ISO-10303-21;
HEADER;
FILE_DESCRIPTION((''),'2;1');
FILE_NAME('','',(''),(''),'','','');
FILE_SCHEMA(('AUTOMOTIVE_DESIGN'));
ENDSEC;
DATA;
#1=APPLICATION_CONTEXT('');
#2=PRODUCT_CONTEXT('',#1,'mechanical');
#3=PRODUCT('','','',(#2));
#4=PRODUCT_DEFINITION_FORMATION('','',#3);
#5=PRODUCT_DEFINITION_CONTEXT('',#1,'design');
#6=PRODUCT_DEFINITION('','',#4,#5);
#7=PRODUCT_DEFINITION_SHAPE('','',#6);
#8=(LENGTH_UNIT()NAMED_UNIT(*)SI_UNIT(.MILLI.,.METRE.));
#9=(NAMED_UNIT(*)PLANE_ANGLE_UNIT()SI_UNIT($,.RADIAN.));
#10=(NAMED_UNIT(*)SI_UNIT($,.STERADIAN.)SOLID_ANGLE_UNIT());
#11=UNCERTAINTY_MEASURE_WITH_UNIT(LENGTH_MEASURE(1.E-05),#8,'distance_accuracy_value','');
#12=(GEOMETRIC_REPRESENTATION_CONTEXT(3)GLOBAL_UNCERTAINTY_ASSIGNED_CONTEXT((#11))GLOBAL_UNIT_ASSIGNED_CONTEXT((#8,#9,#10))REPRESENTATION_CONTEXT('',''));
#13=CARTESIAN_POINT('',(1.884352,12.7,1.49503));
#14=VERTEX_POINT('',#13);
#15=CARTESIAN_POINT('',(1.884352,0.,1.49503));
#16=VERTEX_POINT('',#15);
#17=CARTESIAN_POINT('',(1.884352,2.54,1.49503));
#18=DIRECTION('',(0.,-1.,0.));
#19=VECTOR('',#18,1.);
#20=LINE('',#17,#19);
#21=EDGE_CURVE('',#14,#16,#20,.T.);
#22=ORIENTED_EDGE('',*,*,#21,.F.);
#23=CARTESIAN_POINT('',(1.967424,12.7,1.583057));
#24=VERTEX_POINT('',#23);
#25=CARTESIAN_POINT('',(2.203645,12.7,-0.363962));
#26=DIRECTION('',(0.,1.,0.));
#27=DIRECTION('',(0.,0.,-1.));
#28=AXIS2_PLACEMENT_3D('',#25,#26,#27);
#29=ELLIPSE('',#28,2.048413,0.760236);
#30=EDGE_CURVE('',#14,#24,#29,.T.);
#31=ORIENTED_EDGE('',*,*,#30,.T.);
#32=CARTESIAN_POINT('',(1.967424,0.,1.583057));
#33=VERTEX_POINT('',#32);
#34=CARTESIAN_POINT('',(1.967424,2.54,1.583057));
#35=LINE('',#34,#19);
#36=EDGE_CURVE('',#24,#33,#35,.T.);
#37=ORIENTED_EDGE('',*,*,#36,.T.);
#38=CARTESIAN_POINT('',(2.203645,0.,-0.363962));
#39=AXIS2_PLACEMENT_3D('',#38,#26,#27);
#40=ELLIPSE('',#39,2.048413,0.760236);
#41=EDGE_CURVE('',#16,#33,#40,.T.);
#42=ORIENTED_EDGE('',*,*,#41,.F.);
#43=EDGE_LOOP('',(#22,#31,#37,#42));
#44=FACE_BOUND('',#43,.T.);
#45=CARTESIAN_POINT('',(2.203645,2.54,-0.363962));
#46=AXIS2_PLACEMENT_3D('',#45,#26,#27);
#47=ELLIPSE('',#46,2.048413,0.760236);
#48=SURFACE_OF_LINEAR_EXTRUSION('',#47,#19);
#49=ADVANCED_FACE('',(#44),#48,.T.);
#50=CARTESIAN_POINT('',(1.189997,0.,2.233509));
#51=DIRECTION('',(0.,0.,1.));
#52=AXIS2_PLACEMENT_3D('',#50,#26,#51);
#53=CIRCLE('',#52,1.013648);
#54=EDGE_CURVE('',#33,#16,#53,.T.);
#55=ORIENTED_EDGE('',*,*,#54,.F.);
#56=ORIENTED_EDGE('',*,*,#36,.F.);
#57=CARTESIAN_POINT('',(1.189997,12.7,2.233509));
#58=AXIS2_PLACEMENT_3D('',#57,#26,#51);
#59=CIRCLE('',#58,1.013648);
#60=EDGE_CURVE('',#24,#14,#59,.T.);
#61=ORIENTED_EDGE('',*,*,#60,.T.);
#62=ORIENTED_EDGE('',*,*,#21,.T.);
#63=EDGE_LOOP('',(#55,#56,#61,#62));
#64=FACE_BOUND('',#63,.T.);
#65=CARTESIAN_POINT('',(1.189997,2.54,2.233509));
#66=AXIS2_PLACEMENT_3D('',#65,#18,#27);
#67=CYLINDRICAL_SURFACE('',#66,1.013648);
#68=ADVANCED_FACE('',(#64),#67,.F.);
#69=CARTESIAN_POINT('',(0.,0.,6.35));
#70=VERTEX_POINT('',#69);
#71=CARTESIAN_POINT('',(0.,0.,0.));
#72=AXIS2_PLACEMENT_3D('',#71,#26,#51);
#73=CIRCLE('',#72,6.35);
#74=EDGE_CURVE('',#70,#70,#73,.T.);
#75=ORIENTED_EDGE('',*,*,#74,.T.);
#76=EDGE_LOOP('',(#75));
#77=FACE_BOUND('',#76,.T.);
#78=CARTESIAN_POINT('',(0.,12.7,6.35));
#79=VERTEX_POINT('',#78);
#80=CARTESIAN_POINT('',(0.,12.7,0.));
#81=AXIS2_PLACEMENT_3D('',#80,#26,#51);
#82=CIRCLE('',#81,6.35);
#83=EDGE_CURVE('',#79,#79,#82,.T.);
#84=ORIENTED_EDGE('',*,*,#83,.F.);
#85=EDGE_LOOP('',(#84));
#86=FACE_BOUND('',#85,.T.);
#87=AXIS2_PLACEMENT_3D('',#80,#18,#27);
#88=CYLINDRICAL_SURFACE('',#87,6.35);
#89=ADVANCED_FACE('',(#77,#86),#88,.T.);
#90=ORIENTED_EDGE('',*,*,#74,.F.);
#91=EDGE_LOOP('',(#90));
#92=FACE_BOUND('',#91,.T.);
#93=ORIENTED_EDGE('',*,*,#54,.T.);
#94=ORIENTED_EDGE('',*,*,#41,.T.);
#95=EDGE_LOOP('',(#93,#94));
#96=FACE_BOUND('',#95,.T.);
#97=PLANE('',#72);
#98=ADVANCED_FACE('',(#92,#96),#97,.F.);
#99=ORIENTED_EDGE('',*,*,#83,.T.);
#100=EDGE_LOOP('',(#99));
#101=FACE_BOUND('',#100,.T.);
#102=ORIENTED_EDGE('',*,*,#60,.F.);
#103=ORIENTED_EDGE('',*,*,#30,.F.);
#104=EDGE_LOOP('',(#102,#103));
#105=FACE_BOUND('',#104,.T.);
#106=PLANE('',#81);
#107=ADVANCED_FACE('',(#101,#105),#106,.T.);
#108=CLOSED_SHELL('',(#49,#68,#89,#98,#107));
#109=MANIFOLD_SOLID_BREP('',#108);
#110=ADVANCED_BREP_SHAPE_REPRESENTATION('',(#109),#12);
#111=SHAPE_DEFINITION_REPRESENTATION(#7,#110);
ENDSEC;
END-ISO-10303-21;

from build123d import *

# Parameters (mm, degrees)
SKETCH2_R            = 6.35
SKETCH2_R_2          = 5.996524519
BOSS_EXTRUDE5_DEPTH  = 12.7
SKETCH2_5_R          = 5.996524519
BOSS_EXTRUDE6_DEPTH  = 2.54
BOSS_EXTRUDE7_DEPTH  = 3.81
BOSS_EXTRUDE8_DEPTH  = 5.08
BOSS_EXTRUDE9_DEPTH  = 6.35
SKETCH2_9_R          = 5.996524519
BOSS_EXTRUDE12_DEPTH = 12.7


with BuildPart() as part:
    # Sketch2 → Boss-Extrude5 (new body)
    with BuildSketch(Plane(origin=(0, 0, 0), x_dir=(1, 0, 0), z_dir=(0, 1, 0))):
        Circle(SKETCH2_R)
        Circle(SKETCH2_R_2, mode=Mode.SUBTRACT)
    extrude(amount=BOSS_EXTRUDE5_DEPTH)

    # Sketch2<5> → Boss-Extrude6 (add)
    with BuildSketch(Plane(origin=(0, 0, 0), x_dir=(1, 0, 0), z_dir=(0, 1, 0))):
        Circle(SKETCH2_5_R)
        with BuildLine():
            ThreePointArc((1.884352254, -1.495029686), (1.927203331, -1.537802313), (1.967424302, -1.583056993))
            add(Edge.make_bspline(
                [(1.884352254, -1.495029686), (1.924927612, -1.545625193), (1.967424302, -1.583056993)],
                knots=[2.708156781, 2.708156781, 2.708156781, 2.825642238, 2.825642238, 2.825642238], degree=2, weights=[1, 0.998275142, 1]))
        make_face(mode=Mode.SUBTRACT)
    extrude(amount=BOSS_EXTRUDE6_DEPTH)

    # Sketch2<6> → Boss-Extrude7 (add)
    with BuildSketch(Plane(origin=(0, 0, 0), x_dir=(1, 0, 0), z_dir=(0, 1, 0))):
        with BuildLine():
            Line((2.203644713, 2.412375149), (2.203644713, -1.684450362))
            add(Edge.make_bspline(
                [(2.203644713, -1.684450362), (2.963880375, -1.684450362), (2.963880375, 0.363962394), (2.963880375, 2.412375149), (2.203644713, 2.412375149)],
                knots=[3.141592654, 3.141592654, 3.141592654, 4.71238898, 4.71238898, 6.283185307, 6.283185307, 6.283185307], degree=2, weights=[1, 0.707106781, 1, 0.707106781, 1]))
        make_face()
    extrude(amount=BOSS_EXTRUDE7_DEPTH)

    # Sketch2<7> → Boss-Extrude8 (add)
    with BuildSketch(Plane(origin=(0, 0, 0), x_dir=(1, 0, 0), z_dir=(0, 1, 0))):
        with BuildLine():
            Line((0.175754582, -0.482779286), (0.175754582, -2.233509451))
            Line((0.175754582, -2.233509451), (0.176349615, -2.233509451))
            ThreePointArc((0.176349615, -2.233509451), (1.189997164, -3.247157), (2.203644713, -2.233509451))
            Line((2.203644713, -2.233509451), (2.203644713, -1.684450362))
            Line((2.203644713, -1.684450362), (2.203644713, 2.412375149))
            Line((2.203644713, 2.412375149), (2.203644713, 2.961434238))
            ThreePointArc((2.203644713, 2.961434238), (0.758944414, 5.025083358), (-1.674487689, 4.373765582))
            add(Edge.make_bspline(
                [(-2.181065395, 3.145924813), (-0.969249834, 3.082016488), (-0.735212375, 3.64927543), (-0.501174917, 4.216534371), (-1.674487689, 4.373765582)],
                knots=[1.460003031, 1.460003031, 1.460003031, 2.948448562, 2.948448562, 4.436894093, 4.436894093, 4.436894093], degree=2, weights=[1, 0.735614623, 1, 0.735614623, 1]))
            ThreePointArc((-2.181065395, 3.145924813), (-2.18688649, 3.053761144), (-2.188828, 2.961434238))
            Line((-2.188828, 2.961434238), (-2.188828, -2.233509451))
            ThreePointArc((-2.188828, -2.233509451), (-1.217415765, -3.204921686), (-0.24600353, -2.233509451))
            Line((-0.24600353, -2.233509451), (-0.24600353, -0.482779286))
            Line((-0.24600353, -0.482779286), (0.175754582, -0.482779286))
        make_face()
        with BuildLine():
            ThreePointArc((1.884352254, -1.495029686), (1.927203331, -1.537802313), (1.967424302, -1.583056993))
            add(Edge.make_bspline(
                [(1.884352254, -1.495029686), (1.924927612, -1.545625193), (1.967424302, -1.583056993)],
                knots=[2.708156781, 2.708156781, 2.708156781, 2.825642238, 2.825642238, 2.825642238], degree=2, weights=[1, 0.998275142, 1]))
        make_face(mode=Mode.SUBTRACT)
    extrude(amount=BOSS_EXTRUDE8_DEPTH)

    # Sketch2<8> → Boss-Extrude9 (add)
    with BuildSketch(Plane(origin=(0, 0, 0), x_dir=(1, 0, 0), z_dir=(0, 1, 0))):
        with BuildLine():
            add(Edge.make_bspline(
                [(-2.181065395, 3.145924813), (-0.969249834, 3.082016488), (-0.735212375, 3.64927543), (-0.501174917, 4.216534371), (-1.674487689, 4.373765582)],
                knots=[1.460003031, 1.460003031, 1.460003031, 2.948448562, 2.948448562, 4.436894093, 4.436894093, 4.436894093], degree=2, weights=[1, 0.735614623, 1, 0.735614623, 1]))
            add(Edge.make_bspline(
                [(-1.674487689, 4.373765582), (-3.358741472, 4.599466068), (-3.358741472, 3.769755627)],
                knots=[4.436894093, 4.436894093, 4.436894093, 6.283185307, 6.283185307, 6.283185307], degree=2, weights=[1, 0.603314513, 1]))
            add(Edge.make_bspline(
                [(-3.358741472, 3.769755627), (-3.358741472, 3.208032701), (-2.181065395, 3.145924813)],
                knots=[0, 0, 0, 1.460003031, 1.460003031, 1.460003031], degree=2, weights=[1, 0.745173392, 1]))
        make_face()
    extrude(amount=BOSS_EXTRUDE9_DEPTH)

    # Sketch2<9> → Boss-Extrude12 (add)
    with BuildSketch(Plane(origin=(0, 0, 0), x_dir=(1, 0, 0), z_dir=(0, 1, 0))):
        Circle(SKETCH2_9_R)
        with BuildLine():
            ThreePointArc((1.884352254, -1.495029686), (1.927203331, -1.537802313), (1.967424302, -1.583056993))
            add(Edge.make_bspline(
                [(1.884352254, -1.495029686), (1.924927612, -1.545625193), (1.967424302, -1.583056993)],
                knots=[2.708156781, 2.708156781, 2.708156781, 2.825642238, 2.825642238, 2.825642238], degree=2, weights=[1, 0.998275142, 1]))
        make_face(mode=Mode.SUBTRACT)
    extrude(amount=BOSS_EXTRUDE12_DEPTH)


solid = part.part
